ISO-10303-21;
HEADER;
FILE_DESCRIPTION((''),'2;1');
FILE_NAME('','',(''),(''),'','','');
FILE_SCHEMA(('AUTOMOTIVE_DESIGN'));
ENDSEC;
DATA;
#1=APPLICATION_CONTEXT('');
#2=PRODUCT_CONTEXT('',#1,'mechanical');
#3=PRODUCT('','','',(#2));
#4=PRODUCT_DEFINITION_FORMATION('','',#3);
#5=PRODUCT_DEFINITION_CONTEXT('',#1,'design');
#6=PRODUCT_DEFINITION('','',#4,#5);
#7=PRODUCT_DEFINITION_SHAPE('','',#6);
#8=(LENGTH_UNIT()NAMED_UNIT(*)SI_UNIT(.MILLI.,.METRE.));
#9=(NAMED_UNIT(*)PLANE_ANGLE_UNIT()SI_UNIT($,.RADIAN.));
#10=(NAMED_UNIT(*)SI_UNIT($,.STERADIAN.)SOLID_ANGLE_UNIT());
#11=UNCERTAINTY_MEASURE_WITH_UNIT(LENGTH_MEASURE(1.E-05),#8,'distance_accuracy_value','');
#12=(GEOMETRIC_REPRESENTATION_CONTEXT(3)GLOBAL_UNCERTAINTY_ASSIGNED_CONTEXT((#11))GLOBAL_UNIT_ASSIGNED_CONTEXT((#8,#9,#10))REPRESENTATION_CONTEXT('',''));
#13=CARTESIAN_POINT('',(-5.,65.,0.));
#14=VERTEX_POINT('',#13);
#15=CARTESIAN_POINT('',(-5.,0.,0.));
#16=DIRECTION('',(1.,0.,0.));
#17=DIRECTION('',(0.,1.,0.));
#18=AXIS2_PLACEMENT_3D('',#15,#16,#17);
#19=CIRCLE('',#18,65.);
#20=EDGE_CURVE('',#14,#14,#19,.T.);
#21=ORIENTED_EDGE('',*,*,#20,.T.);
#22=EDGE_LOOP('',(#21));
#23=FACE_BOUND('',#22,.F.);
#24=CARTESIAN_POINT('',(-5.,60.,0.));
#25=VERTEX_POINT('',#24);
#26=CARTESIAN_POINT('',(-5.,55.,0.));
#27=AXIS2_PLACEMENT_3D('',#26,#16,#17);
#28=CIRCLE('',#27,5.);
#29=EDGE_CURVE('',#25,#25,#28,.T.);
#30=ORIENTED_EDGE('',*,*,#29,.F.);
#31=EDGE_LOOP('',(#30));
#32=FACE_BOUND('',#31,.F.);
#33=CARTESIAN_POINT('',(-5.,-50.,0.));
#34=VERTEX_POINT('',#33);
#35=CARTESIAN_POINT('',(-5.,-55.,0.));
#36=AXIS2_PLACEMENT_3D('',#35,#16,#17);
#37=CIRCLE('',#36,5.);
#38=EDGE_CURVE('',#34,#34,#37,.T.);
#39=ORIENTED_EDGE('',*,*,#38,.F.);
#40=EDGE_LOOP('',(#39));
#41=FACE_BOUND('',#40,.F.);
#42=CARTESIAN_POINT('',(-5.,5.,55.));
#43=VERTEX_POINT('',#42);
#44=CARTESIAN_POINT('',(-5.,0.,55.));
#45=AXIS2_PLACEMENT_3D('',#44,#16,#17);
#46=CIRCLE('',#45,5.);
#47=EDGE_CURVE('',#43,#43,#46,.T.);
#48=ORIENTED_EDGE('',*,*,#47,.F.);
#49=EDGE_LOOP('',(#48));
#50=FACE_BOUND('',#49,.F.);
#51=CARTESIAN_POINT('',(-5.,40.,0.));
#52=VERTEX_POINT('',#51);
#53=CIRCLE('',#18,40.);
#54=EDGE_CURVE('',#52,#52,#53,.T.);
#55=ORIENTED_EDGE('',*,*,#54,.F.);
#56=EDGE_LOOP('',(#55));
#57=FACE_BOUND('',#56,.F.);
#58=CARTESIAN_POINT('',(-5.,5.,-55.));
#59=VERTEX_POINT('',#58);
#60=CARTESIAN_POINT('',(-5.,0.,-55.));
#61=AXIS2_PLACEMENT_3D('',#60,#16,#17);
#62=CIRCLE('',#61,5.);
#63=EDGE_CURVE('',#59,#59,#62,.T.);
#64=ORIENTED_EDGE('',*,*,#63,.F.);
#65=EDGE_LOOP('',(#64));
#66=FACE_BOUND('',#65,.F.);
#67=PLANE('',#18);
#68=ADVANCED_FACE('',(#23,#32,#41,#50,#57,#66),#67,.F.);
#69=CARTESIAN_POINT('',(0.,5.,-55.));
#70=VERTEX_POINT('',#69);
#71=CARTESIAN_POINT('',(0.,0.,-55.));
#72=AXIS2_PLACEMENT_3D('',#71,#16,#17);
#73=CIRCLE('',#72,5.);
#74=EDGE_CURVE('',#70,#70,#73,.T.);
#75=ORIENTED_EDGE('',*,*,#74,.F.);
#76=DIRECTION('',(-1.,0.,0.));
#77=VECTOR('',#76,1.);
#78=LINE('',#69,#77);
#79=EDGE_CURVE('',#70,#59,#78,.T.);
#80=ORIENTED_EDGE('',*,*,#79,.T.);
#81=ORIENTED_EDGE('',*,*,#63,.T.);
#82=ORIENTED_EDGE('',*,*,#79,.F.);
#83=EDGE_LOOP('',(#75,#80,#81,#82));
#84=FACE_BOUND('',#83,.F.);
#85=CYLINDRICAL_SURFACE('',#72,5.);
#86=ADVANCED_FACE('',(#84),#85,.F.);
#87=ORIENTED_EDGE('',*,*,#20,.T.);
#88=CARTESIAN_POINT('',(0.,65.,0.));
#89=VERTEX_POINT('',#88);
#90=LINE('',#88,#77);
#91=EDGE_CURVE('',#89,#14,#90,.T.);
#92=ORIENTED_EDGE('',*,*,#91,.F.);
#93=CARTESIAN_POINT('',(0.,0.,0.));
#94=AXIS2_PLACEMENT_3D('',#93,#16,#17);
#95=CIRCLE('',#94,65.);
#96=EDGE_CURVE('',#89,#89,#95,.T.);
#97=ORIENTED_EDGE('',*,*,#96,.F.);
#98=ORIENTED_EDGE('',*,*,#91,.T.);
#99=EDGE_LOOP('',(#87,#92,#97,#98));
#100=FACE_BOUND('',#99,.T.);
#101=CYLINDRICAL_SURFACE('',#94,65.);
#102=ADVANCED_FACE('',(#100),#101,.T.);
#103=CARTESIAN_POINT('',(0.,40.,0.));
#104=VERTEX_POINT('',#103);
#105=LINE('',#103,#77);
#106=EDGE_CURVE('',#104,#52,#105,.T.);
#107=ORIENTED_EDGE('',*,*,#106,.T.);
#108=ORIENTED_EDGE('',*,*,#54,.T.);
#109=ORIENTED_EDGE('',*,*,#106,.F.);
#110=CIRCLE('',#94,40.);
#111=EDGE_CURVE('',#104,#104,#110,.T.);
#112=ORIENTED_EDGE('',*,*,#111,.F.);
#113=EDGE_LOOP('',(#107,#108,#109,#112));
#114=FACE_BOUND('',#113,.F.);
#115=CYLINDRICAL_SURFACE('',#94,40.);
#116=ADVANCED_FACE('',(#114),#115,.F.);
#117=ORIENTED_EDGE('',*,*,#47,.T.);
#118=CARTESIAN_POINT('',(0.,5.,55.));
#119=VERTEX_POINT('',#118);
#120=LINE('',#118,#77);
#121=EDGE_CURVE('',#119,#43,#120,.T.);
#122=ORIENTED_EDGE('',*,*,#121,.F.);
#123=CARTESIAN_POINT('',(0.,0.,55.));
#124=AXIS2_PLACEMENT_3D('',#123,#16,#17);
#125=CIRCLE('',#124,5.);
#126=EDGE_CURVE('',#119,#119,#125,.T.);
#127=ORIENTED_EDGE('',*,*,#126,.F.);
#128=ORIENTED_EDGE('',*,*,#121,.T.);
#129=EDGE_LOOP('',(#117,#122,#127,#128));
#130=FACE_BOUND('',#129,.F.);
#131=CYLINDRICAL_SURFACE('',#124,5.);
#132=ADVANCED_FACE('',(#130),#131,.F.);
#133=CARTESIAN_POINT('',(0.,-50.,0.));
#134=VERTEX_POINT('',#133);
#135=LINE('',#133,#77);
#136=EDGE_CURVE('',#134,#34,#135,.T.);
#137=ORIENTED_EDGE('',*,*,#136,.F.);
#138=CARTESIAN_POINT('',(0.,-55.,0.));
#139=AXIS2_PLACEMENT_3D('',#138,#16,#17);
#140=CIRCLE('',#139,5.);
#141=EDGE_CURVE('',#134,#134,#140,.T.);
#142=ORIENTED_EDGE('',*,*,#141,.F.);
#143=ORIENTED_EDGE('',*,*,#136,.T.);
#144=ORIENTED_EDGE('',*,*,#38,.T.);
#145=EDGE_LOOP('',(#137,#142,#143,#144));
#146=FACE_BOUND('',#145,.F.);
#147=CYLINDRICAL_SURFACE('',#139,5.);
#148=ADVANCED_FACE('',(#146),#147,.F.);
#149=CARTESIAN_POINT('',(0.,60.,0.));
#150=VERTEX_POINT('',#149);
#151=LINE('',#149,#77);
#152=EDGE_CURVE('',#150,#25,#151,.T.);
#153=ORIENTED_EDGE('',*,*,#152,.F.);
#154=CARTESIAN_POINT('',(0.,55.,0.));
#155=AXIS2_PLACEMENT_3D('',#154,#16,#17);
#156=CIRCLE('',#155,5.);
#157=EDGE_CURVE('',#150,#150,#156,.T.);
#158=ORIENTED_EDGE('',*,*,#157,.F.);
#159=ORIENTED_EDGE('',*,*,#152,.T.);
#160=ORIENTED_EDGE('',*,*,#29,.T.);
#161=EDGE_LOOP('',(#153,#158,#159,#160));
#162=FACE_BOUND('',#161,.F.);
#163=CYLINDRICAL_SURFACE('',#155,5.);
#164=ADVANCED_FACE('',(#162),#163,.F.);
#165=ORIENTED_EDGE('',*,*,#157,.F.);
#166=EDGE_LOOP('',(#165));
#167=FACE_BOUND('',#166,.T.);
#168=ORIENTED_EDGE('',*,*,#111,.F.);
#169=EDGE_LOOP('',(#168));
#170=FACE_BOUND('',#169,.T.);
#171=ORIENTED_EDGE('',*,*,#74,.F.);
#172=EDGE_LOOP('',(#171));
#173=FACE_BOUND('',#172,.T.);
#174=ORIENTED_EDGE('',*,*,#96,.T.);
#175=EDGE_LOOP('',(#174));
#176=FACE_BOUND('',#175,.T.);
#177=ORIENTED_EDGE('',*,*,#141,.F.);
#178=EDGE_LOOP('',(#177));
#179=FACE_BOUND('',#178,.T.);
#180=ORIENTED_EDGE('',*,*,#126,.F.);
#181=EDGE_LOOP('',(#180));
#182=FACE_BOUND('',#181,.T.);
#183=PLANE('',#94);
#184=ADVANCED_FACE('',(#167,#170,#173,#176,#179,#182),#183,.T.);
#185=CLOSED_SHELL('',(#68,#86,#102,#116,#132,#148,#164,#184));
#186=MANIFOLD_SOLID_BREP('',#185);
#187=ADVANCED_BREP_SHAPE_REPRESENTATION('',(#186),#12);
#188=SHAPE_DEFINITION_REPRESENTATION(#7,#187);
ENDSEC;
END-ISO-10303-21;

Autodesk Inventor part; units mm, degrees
ref_plane "YZ Plane" through (0, 0, 0) normal (1, 0, 0) x (0, 1, 0)
ref_plane "XZ Plane" through (0, 0, 0) normal (0, 1, 0) x (-1, 0, 0)
ref_plane "XY Plane" through (0, 0, 0) normal (0, 0, 1) x (1, 0, 0)
sketch "Sketch1" plane through (0, 0, 0) normal (1, 0, 0) x (0, 1, 0)
  circle A0 centre (55, 0) radius 5
  circle A1 centre (0, 0) radius 40
  circle A2 centre (0, 0) radius 65
  circle A3 centre (0, 55) radius 5
  circle A4 centre (-55, 0) radius 5
  circle A5 centre (0, -55) radius 5
  dimension "d1" = 10
  dimension "d2" = 80
  dimension "d3" = 130
  dimension "d8" = 360
extrude "Extrusion1" add sketch "Sketch1" against normal blind 5
equation "\"BendRadius\" = Thickness"
equation "\"BendReliefWidth\" = Thickness"
equation "\"BendReliefDepth\" = 0.5 * Thickness"
equation "\"CornerReliefSize\" = 4 * Thickness"
equation "\"MinimumRemnant\" = 2 * Thickness"
equation "\"TransitionRadius\" = BendRadius"
equation "\"JacobiRadiusSize\" = BendRadius"
equation "\"GapSize\" = Thickness"
equation "\"Thickness\" = 0.5"
properties part number "flatza" material "Copper"
